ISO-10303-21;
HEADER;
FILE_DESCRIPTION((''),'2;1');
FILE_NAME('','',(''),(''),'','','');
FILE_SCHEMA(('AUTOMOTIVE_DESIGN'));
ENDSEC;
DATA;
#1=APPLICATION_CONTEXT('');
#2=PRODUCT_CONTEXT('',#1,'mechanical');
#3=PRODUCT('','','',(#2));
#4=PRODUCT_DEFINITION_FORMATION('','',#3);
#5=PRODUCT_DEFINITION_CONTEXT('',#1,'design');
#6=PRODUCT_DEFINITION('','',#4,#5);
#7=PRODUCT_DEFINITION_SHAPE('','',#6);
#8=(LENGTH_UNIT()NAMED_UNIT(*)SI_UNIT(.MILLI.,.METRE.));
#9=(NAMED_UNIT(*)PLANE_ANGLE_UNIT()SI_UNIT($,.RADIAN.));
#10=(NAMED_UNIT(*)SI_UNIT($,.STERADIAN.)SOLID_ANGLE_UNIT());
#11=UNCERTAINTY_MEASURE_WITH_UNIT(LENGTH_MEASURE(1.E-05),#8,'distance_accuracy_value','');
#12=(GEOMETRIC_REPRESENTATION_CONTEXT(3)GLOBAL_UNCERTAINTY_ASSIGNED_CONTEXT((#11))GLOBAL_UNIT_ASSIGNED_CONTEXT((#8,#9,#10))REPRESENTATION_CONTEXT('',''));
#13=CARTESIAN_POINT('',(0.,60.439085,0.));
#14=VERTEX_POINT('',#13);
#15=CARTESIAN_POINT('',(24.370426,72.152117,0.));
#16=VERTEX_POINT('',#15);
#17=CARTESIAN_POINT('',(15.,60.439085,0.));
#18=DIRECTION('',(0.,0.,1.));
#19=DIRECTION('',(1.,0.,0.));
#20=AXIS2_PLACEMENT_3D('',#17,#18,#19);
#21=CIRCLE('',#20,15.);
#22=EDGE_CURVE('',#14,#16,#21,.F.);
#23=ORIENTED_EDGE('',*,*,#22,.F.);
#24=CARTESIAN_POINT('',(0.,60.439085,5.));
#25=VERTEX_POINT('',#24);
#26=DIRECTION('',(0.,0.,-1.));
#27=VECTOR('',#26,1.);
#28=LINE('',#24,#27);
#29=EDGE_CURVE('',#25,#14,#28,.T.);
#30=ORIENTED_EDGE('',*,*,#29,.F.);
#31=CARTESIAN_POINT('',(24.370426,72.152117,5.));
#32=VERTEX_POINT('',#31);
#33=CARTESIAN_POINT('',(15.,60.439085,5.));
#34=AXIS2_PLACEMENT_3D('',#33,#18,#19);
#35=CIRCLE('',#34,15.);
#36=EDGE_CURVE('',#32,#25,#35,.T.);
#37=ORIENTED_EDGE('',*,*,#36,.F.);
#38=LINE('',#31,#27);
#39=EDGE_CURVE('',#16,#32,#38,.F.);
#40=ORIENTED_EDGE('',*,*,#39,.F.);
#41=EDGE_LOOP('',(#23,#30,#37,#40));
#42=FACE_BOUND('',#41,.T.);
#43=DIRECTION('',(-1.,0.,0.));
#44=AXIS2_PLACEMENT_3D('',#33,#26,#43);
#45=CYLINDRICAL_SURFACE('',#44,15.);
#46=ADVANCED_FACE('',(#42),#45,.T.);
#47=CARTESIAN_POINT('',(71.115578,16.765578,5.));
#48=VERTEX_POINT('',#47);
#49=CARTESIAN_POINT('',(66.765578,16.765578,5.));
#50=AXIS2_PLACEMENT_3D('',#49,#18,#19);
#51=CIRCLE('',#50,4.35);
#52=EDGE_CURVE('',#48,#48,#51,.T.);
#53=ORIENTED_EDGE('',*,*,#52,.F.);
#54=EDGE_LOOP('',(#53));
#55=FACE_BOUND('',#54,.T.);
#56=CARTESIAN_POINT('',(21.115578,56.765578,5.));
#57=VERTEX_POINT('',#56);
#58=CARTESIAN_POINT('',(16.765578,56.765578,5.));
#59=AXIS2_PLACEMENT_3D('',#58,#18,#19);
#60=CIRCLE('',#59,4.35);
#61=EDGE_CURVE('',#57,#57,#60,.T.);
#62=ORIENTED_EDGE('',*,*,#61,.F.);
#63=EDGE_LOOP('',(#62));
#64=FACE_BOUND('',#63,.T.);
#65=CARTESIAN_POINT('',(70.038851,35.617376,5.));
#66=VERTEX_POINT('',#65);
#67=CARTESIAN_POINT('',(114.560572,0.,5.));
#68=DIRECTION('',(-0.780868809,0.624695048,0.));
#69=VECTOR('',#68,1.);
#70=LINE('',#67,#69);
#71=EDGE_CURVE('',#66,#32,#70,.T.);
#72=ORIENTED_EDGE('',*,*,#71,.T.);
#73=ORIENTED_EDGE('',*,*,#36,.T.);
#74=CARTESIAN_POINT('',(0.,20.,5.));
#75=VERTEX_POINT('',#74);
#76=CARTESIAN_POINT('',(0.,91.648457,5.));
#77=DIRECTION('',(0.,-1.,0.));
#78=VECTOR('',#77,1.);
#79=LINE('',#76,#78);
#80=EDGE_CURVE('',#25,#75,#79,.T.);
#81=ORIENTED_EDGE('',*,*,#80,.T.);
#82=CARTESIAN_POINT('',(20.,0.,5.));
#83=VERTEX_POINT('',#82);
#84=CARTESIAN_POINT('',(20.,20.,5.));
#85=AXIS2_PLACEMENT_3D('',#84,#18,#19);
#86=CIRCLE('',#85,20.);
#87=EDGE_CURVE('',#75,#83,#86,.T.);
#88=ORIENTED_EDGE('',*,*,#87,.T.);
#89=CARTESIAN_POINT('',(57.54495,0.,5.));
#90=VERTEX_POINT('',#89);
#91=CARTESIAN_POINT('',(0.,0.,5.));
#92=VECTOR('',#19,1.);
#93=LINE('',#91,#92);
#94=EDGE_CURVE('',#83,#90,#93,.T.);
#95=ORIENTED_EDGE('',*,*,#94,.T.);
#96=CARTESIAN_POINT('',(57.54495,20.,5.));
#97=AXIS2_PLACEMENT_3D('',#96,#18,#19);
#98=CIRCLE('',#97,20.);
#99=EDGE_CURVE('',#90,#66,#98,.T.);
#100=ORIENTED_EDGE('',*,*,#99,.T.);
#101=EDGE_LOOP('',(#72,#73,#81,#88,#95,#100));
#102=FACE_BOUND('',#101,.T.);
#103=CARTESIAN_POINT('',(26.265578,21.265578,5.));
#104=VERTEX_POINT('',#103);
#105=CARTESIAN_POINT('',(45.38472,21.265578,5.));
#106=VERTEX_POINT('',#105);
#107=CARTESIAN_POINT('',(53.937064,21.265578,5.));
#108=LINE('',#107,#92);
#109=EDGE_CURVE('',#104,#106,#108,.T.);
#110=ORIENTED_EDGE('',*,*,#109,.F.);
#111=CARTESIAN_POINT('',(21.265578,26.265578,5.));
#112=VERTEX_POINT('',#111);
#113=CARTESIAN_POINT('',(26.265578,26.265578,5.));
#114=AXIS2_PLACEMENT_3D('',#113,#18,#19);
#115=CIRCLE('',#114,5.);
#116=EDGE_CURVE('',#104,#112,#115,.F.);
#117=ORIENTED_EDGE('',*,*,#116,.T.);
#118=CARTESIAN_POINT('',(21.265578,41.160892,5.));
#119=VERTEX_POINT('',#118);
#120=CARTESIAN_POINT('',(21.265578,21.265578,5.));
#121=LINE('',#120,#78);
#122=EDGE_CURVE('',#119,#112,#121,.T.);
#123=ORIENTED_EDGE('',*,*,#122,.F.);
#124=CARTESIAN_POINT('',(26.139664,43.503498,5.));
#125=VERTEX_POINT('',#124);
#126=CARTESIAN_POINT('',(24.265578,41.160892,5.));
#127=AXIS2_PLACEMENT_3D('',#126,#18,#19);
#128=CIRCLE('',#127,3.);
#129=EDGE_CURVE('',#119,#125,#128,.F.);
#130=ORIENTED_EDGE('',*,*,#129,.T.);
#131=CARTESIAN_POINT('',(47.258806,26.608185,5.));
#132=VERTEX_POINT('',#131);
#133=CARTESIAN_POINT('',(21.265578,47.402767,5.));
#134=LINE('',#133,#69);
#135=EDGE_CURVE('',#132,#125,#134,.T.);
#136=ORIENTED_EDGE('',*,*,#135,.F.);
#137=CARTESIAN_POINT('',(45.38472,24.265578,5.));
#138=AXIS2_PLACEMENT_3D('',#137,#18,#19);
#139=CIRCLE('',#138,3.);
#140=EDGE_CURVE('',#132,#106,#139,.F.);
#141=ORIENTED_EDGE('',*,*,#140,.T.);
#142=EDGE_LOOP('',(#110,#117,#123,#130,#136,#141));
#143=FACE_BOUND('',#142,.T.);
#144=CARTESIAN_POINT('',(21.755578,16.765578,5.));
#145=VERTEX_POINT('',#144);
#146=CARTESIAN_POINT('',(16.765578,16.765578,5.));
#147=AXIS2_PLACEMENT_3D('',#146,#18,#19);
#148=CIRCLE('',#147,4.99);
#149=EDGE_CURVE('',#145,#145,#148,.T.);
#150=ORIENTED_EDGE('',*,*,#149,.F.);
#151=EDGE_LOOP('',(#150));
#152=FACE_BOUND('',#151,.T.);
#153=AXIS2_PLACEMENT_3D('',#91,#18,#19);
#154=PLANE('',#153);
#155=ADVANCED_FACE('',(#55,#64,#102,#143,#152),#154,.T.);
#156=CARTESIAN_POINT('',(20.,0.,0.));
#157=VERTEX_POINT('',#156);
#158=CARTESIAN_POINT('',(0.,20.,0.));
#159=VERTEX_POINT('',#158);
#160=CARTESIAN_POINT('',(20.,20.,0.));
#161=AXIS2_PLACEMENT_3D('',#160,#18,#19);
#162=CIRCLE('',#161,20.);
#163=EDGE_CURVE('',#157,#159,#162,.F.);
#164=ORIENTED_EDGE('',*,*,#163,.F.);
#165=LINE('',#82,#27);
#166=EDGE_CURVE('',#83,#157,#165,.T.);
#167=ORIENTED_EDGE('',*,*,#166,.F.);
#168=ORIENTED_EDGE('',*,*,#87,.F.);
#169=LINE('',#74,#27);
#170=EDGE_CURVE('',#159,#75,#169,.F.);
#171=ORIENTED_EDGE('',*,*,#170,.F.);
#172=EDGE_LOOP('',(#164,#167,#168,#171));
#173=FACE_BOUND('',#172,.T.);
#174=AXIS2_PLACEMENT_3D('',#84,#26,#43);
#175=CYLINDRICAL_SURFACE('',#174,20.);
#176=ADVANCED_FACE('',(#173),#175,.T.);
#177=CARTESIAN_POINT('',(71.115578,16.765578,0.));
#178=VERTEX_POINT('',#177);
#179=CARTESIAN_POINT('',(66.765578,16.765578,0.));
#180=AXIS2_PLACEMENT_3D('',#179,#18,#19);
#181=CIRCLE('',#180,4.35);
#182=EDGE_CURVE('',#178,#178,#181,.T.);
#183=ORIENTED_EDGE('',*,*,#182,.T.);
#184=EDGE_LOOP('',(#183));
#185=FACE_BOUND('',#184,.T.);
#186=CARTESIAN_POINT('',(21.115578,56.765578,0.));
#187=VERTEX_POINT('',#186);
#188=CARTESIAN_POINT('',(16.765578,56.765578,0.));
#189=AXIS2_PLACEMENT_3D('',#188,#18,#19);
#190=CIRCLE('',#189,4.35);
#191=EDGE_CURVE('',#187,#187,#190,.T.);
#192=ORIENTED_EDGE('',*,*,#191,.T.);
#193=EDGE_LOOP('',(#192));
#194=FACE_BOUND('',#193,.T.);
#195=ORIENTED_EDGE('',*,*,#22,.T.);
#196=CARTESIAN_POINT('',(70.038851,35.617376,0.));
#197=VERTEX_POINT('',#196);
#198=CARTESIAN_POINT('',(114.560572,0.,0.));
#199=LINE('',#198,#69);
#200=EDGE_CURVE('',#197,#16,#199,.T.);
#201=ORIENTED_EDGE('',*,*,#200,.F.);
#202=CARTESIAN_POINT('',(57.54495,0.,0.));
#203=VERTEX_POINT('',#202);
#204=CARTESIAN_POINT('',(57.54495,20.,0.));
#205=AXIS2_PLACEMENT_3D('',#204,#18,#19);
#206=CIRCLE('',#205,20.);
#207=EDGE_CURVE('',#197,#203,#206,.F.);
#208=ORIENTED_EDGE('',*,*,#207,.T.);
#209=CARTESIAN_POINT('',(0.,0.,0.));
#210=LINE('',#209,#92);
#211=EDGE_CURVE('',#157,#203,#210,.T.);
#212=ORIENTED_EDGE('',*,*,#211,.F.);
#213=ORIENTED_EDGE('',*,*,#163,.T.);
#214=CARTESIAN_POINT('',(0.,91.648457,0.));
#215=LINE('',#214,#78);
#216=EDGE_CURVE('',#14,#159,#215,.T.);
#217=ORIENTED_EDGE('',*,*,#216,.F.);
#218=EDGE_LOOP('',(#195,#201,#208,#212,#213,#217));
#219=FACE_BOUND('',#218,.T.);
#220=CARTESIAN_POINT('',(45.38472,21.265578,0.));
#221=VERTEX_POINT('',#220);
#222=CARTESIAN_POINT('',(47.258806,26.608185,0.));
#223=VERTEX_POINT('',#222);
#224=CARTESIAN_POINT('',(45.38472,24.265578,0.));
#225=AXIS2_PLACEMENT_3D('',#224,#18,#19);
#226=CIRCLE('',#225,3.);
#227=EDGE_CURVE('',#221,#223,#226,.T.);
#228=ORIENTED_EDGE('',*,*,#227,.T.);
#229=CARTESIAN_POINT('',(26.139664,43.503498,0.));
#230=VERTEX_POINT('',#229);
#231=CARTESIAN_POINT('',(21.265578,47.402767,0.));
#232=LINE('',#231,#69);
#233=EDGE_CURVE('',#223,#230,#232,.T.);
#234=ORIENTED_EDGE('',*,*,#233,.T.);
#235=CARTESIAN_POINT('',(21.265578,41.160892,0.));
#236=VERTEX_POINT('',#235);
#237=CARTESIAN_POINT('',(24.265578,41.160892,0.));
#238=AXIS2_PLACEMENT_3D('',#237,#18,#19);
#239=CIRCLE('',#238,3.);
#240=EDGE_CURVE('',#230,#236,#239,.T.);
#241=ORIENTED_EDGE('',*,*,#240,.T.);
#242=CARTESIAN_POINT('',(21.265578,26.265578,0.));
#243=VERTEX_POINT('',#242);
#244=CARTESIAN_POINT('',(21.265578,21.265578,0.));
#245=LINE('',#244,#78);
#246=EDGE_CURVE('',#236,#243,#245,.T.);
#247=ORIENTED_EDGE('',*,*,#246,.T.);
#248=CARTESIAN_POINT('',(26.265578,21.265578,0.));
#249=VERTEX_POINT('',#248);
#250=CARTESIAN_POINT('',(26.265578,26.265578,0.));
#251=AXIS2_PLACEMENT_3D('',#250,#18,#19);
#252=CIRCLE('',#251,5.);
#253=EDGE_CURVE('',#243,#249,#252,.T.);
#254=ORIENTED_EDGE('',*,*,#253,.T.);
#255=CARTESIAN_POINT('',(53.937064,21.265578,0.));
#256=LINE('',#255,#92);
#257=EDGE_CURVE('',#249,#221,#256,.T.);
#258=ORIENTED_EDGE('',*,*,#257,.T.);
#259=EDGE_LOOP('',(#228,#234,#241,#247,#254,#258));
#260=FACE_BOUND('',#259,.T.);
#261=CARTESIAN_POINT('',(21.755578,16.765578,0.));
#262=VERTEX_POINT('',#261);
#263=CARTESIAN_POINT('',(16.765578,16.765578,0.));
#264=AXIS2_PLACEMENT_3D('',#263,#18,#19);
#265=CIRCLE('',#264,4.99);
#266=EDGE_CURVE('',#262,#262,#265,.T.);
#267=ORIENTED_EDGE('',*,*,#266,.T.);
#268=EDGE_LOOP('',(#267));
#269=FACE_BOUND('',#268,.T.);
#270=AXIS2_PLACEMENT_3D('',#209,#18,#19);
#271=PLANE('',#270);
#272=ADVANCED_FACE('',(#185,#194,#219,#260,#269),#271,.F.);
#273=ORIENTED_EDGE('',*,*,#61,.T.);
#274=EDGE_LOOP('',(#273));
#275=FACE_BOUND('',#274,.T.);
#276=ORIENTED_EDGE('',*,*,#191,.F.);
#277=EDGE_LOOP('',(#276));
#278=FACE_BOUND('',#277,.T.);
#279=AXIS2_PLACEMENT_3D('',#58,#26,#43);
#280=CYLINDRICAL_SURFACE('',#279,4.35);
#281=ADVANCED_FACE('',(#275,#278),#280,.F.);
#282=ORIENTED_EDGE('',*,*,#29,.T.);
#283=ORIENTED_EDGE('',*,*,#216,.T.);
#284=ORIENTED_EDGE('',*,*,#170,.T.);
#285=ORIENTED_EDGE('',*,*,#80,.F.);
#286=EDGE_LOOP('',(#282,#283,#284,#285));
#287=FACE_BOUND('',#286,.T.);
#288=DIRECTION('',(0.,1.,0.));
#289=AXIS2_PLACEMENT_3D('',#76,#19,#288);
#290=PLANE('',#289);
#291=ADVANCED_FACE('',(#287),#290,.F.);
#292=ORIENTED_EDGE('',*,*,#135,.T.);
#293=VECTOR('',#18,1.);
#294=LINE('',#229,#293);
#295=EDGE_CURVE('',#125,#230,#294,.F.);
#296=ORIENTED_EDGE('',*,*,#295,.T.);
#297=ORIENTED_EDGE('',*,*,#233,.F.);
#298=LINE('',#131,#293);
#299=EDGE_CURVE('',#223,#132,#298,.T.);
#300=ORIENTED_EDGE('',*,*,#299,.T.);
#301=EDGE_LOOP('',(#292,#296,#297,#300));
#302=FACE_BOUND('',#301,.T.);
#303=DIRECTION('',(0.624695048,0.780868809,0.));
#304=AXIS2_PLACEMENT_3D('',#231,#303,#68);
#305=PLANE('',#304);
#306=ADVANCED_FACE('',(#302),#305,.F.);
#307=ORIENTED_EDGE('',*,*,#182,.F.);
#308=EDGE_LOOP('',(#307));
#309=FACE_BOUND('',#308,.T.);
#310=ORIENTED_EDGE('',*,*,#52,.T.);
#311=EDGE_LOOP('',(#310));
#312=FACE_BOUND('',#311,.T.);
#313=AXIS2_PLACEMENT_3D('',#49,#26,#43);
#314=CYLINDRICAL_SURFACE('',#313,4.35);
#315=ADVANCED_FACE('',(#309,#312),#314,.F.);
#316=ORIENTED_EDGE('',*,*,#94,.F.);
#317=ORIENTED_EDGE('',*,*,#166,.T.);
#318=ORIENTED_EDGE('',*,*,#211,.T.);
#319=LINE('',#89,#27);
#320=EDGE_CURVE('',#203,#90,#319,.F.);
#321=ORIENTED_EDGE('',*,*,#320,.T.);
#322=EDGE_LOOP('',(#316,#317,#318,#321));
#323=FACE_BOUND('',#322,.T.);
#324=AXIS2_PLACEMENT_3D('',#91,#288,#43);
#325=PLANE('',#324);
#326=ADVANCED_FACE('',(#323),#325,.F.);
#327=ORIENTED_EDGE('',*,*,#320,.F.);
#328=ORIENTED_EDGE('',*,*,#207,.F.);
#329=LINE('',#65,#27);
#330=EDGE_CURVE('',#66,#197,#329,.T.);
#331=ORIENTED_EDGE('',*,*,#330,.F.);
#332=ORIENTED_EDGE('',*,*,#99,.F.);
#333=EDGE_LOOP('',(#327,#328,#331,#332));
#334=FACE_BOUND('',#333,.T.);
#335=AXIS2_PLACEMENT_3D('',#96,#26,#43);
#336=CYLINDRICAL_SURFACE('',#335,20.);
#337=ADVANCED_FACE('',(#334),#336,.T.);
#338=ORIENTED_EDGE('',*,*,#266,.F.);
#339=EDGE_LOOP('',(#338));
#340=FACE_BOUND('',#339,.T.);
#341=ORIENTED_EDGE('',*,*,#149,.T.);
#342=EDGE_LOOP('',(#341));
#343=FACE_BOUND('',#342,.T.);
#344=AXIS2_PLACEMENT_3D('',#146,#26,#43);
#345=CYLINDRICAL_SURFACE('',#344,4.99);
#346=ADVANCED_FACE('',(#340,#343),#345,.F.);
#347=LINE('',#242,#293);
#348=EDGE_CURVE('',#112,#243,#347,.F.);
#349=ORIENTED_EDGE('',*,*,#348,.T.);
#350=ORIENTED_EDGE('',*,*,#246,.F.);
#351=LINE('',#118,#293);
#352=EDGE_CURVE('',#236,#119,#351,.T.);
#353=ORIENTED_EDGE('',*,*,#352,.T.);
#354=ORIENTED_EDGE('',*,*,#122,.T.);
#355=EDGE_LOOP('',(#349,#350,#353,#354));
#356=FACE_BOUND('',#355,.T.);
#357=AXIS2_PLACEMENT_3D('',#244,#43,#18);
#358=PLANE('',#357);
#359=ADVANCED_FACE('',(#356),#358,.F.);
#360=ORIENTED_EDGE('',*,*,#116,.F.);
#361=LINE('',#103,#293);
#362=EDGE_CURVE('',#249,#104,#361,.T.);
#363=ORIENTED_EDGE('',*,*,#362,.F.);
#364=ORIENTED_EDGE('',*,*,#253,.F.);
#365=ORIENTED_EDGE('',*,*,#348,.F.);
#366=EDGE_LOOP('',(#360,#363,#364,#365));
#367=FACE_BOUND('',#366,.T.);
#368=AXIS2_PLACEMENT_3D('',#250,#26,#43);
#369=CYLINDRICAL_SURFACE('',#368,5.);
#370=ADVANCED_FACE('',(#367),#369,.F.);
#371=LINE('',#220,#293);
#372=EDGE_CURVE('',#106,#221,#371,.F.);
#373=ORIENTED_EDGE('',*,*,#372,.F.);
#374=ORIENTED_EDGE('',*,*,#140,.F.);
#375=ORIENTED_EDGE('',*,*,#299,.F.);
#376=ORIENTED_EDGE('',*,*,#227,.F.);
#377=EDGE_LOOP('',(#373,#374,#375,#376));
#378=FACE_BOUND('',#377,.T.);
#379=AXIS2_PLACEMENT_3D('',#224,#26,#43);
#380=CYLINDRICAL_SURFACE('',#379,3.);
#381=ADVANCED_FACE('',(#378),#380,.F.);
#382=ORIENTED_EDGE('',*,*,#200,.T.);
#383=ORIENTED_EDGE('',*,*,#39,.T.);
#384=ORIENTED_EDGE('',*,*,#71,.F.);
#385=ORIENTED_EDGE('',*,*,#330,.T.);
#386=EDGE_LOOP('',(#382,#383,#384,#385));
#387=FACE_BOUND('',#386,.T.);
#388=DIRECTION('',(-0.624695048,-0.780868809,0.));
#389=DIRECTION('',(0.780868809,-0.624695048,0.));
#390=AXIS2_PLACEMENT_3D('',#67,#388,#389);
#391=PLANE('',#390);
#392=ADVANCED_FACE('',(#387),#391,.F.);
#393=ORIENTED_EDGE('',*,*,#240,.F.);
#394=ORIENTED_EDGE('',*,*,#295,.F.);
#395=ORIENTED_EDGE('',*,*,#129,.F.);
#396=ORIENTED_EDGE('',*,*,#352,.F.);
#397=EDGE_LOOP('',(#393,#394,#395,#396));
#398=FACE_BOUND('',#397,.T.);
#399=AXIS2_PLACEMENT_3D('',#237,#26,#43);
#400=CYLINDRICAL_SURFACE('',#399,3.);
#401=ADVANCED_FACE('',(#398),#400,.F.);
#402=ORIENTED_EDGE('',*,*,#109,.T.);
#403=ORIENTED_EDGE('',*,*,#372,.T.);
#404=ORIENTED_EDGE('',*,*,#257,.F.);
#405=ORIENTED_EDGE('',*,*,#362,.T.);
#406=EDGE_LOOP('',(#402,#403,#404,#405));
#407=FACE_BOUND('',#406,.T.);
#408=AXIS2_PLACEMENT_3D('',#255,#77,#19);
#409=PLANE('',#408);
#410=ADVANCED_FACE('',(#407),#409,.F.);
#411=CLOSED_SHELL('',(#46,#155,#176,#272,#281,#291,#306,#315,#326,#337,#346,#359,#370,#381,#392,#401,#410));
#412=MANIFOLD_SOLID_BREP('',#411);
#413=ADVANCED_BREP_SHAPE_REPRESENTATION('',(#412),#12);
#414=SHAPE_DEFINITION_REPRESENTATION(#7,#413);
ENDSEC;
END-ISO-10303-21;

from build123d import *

# Parameters (mm, degrees)
SKETCH1_R           = 4.35
SKETCH1_R_2         = 4.99
BOSS_EXTRUDE1_DEPTH = 5
FILLET1_R           = 15
FILLET2_R           = 20
FILLET3_R           = 20
CUT_EXTRUDE1_DEPTH  = 109.301776601
FILLET4_R           = 5
FILLET5_R           = 3
FILLET6_R           = 3


with BuildPart() as part:
    # Sketch1 → Boss-Extrude1 (new body)
    with BuildSketch(Plane.XY):
        Polygon((0, 91.64845728), (0, 0), (114.5605716, 0), align=None)
        with Locations((16.765578361, 56.765578361)):
            Circle(SKETCH1_R, mode=Mode.SUBTRACT)
        with Locations((66.765578361, 16.765578361)):
            Circle(SKETCH1_R, mode=Mode.SUBTRACT)
        with Locations((16.765578361, 16.765578361)):
            Circle(SKETCH1_R_2, mode=Mode.SUBTRACT)
    extrude(amount=BOSS_EXTRUDE1_DEPTH)

    # Fillet1
    fillet1_edges = [part.edges().sort_by_distance(p)[0] for p in [
        (0, 91.64845728, 2.5),
    ]]
    fillet(fillet1_edges, radius=FILLET1_R)

    # Fillet2
    fillet2_edges = [part.edges().sort_by_distance(p)[0] for p in [
        (0, 0, 2.5),
    ]]
    fillet(fillet2_edges, radius=FILLET2_R)

    # Fillet3
    fillet3_edges = [part.edges().sort_by_distance(p)[0] for p in [
        (114.5605716, 0, 2.5),
    ]]
    fillet(fillet3_edges, radius=FILLET3_R)

    # Sketch2 → Cut-Extrude1 (cut, through all)
    with BuildSketch(Plane.XY.offset(5)):
        Polygon((21.265578361, 47.402766547), (53.937063594, 21.265578361), (21.265578361, 21.265578361), align=None)
    extrude(amount=-CUT_EXTRUDE1_DEPTH, mode=Mode.SUBTRACT)

    # Fillet4
    fillet4_edges = [part.edges().sort_by_distance(p)[0] for p in [
        (21.265578361, 21.265578361, 2.5),
    ]]
    fillet(fillet4_edges, radius=FILLET4_R)

    # Fillet5
    fillet5_edges = [part.edges().sort_by_distance(p)[0] for p in [
        (21.265578361, 47.402766547, 2.5),
    ]]
    fillet(fillet5_edges, radius=FILLET5_R)

    # Fillet6
    fillet6_edges = [part.edges().sort_by_distance(p)[0] for p in [
        (53.937063594, 21.265578361, 2.5),
    ]]
    fillet(fillet6_edges, radius=FILLET6_R)


solid = part.part
